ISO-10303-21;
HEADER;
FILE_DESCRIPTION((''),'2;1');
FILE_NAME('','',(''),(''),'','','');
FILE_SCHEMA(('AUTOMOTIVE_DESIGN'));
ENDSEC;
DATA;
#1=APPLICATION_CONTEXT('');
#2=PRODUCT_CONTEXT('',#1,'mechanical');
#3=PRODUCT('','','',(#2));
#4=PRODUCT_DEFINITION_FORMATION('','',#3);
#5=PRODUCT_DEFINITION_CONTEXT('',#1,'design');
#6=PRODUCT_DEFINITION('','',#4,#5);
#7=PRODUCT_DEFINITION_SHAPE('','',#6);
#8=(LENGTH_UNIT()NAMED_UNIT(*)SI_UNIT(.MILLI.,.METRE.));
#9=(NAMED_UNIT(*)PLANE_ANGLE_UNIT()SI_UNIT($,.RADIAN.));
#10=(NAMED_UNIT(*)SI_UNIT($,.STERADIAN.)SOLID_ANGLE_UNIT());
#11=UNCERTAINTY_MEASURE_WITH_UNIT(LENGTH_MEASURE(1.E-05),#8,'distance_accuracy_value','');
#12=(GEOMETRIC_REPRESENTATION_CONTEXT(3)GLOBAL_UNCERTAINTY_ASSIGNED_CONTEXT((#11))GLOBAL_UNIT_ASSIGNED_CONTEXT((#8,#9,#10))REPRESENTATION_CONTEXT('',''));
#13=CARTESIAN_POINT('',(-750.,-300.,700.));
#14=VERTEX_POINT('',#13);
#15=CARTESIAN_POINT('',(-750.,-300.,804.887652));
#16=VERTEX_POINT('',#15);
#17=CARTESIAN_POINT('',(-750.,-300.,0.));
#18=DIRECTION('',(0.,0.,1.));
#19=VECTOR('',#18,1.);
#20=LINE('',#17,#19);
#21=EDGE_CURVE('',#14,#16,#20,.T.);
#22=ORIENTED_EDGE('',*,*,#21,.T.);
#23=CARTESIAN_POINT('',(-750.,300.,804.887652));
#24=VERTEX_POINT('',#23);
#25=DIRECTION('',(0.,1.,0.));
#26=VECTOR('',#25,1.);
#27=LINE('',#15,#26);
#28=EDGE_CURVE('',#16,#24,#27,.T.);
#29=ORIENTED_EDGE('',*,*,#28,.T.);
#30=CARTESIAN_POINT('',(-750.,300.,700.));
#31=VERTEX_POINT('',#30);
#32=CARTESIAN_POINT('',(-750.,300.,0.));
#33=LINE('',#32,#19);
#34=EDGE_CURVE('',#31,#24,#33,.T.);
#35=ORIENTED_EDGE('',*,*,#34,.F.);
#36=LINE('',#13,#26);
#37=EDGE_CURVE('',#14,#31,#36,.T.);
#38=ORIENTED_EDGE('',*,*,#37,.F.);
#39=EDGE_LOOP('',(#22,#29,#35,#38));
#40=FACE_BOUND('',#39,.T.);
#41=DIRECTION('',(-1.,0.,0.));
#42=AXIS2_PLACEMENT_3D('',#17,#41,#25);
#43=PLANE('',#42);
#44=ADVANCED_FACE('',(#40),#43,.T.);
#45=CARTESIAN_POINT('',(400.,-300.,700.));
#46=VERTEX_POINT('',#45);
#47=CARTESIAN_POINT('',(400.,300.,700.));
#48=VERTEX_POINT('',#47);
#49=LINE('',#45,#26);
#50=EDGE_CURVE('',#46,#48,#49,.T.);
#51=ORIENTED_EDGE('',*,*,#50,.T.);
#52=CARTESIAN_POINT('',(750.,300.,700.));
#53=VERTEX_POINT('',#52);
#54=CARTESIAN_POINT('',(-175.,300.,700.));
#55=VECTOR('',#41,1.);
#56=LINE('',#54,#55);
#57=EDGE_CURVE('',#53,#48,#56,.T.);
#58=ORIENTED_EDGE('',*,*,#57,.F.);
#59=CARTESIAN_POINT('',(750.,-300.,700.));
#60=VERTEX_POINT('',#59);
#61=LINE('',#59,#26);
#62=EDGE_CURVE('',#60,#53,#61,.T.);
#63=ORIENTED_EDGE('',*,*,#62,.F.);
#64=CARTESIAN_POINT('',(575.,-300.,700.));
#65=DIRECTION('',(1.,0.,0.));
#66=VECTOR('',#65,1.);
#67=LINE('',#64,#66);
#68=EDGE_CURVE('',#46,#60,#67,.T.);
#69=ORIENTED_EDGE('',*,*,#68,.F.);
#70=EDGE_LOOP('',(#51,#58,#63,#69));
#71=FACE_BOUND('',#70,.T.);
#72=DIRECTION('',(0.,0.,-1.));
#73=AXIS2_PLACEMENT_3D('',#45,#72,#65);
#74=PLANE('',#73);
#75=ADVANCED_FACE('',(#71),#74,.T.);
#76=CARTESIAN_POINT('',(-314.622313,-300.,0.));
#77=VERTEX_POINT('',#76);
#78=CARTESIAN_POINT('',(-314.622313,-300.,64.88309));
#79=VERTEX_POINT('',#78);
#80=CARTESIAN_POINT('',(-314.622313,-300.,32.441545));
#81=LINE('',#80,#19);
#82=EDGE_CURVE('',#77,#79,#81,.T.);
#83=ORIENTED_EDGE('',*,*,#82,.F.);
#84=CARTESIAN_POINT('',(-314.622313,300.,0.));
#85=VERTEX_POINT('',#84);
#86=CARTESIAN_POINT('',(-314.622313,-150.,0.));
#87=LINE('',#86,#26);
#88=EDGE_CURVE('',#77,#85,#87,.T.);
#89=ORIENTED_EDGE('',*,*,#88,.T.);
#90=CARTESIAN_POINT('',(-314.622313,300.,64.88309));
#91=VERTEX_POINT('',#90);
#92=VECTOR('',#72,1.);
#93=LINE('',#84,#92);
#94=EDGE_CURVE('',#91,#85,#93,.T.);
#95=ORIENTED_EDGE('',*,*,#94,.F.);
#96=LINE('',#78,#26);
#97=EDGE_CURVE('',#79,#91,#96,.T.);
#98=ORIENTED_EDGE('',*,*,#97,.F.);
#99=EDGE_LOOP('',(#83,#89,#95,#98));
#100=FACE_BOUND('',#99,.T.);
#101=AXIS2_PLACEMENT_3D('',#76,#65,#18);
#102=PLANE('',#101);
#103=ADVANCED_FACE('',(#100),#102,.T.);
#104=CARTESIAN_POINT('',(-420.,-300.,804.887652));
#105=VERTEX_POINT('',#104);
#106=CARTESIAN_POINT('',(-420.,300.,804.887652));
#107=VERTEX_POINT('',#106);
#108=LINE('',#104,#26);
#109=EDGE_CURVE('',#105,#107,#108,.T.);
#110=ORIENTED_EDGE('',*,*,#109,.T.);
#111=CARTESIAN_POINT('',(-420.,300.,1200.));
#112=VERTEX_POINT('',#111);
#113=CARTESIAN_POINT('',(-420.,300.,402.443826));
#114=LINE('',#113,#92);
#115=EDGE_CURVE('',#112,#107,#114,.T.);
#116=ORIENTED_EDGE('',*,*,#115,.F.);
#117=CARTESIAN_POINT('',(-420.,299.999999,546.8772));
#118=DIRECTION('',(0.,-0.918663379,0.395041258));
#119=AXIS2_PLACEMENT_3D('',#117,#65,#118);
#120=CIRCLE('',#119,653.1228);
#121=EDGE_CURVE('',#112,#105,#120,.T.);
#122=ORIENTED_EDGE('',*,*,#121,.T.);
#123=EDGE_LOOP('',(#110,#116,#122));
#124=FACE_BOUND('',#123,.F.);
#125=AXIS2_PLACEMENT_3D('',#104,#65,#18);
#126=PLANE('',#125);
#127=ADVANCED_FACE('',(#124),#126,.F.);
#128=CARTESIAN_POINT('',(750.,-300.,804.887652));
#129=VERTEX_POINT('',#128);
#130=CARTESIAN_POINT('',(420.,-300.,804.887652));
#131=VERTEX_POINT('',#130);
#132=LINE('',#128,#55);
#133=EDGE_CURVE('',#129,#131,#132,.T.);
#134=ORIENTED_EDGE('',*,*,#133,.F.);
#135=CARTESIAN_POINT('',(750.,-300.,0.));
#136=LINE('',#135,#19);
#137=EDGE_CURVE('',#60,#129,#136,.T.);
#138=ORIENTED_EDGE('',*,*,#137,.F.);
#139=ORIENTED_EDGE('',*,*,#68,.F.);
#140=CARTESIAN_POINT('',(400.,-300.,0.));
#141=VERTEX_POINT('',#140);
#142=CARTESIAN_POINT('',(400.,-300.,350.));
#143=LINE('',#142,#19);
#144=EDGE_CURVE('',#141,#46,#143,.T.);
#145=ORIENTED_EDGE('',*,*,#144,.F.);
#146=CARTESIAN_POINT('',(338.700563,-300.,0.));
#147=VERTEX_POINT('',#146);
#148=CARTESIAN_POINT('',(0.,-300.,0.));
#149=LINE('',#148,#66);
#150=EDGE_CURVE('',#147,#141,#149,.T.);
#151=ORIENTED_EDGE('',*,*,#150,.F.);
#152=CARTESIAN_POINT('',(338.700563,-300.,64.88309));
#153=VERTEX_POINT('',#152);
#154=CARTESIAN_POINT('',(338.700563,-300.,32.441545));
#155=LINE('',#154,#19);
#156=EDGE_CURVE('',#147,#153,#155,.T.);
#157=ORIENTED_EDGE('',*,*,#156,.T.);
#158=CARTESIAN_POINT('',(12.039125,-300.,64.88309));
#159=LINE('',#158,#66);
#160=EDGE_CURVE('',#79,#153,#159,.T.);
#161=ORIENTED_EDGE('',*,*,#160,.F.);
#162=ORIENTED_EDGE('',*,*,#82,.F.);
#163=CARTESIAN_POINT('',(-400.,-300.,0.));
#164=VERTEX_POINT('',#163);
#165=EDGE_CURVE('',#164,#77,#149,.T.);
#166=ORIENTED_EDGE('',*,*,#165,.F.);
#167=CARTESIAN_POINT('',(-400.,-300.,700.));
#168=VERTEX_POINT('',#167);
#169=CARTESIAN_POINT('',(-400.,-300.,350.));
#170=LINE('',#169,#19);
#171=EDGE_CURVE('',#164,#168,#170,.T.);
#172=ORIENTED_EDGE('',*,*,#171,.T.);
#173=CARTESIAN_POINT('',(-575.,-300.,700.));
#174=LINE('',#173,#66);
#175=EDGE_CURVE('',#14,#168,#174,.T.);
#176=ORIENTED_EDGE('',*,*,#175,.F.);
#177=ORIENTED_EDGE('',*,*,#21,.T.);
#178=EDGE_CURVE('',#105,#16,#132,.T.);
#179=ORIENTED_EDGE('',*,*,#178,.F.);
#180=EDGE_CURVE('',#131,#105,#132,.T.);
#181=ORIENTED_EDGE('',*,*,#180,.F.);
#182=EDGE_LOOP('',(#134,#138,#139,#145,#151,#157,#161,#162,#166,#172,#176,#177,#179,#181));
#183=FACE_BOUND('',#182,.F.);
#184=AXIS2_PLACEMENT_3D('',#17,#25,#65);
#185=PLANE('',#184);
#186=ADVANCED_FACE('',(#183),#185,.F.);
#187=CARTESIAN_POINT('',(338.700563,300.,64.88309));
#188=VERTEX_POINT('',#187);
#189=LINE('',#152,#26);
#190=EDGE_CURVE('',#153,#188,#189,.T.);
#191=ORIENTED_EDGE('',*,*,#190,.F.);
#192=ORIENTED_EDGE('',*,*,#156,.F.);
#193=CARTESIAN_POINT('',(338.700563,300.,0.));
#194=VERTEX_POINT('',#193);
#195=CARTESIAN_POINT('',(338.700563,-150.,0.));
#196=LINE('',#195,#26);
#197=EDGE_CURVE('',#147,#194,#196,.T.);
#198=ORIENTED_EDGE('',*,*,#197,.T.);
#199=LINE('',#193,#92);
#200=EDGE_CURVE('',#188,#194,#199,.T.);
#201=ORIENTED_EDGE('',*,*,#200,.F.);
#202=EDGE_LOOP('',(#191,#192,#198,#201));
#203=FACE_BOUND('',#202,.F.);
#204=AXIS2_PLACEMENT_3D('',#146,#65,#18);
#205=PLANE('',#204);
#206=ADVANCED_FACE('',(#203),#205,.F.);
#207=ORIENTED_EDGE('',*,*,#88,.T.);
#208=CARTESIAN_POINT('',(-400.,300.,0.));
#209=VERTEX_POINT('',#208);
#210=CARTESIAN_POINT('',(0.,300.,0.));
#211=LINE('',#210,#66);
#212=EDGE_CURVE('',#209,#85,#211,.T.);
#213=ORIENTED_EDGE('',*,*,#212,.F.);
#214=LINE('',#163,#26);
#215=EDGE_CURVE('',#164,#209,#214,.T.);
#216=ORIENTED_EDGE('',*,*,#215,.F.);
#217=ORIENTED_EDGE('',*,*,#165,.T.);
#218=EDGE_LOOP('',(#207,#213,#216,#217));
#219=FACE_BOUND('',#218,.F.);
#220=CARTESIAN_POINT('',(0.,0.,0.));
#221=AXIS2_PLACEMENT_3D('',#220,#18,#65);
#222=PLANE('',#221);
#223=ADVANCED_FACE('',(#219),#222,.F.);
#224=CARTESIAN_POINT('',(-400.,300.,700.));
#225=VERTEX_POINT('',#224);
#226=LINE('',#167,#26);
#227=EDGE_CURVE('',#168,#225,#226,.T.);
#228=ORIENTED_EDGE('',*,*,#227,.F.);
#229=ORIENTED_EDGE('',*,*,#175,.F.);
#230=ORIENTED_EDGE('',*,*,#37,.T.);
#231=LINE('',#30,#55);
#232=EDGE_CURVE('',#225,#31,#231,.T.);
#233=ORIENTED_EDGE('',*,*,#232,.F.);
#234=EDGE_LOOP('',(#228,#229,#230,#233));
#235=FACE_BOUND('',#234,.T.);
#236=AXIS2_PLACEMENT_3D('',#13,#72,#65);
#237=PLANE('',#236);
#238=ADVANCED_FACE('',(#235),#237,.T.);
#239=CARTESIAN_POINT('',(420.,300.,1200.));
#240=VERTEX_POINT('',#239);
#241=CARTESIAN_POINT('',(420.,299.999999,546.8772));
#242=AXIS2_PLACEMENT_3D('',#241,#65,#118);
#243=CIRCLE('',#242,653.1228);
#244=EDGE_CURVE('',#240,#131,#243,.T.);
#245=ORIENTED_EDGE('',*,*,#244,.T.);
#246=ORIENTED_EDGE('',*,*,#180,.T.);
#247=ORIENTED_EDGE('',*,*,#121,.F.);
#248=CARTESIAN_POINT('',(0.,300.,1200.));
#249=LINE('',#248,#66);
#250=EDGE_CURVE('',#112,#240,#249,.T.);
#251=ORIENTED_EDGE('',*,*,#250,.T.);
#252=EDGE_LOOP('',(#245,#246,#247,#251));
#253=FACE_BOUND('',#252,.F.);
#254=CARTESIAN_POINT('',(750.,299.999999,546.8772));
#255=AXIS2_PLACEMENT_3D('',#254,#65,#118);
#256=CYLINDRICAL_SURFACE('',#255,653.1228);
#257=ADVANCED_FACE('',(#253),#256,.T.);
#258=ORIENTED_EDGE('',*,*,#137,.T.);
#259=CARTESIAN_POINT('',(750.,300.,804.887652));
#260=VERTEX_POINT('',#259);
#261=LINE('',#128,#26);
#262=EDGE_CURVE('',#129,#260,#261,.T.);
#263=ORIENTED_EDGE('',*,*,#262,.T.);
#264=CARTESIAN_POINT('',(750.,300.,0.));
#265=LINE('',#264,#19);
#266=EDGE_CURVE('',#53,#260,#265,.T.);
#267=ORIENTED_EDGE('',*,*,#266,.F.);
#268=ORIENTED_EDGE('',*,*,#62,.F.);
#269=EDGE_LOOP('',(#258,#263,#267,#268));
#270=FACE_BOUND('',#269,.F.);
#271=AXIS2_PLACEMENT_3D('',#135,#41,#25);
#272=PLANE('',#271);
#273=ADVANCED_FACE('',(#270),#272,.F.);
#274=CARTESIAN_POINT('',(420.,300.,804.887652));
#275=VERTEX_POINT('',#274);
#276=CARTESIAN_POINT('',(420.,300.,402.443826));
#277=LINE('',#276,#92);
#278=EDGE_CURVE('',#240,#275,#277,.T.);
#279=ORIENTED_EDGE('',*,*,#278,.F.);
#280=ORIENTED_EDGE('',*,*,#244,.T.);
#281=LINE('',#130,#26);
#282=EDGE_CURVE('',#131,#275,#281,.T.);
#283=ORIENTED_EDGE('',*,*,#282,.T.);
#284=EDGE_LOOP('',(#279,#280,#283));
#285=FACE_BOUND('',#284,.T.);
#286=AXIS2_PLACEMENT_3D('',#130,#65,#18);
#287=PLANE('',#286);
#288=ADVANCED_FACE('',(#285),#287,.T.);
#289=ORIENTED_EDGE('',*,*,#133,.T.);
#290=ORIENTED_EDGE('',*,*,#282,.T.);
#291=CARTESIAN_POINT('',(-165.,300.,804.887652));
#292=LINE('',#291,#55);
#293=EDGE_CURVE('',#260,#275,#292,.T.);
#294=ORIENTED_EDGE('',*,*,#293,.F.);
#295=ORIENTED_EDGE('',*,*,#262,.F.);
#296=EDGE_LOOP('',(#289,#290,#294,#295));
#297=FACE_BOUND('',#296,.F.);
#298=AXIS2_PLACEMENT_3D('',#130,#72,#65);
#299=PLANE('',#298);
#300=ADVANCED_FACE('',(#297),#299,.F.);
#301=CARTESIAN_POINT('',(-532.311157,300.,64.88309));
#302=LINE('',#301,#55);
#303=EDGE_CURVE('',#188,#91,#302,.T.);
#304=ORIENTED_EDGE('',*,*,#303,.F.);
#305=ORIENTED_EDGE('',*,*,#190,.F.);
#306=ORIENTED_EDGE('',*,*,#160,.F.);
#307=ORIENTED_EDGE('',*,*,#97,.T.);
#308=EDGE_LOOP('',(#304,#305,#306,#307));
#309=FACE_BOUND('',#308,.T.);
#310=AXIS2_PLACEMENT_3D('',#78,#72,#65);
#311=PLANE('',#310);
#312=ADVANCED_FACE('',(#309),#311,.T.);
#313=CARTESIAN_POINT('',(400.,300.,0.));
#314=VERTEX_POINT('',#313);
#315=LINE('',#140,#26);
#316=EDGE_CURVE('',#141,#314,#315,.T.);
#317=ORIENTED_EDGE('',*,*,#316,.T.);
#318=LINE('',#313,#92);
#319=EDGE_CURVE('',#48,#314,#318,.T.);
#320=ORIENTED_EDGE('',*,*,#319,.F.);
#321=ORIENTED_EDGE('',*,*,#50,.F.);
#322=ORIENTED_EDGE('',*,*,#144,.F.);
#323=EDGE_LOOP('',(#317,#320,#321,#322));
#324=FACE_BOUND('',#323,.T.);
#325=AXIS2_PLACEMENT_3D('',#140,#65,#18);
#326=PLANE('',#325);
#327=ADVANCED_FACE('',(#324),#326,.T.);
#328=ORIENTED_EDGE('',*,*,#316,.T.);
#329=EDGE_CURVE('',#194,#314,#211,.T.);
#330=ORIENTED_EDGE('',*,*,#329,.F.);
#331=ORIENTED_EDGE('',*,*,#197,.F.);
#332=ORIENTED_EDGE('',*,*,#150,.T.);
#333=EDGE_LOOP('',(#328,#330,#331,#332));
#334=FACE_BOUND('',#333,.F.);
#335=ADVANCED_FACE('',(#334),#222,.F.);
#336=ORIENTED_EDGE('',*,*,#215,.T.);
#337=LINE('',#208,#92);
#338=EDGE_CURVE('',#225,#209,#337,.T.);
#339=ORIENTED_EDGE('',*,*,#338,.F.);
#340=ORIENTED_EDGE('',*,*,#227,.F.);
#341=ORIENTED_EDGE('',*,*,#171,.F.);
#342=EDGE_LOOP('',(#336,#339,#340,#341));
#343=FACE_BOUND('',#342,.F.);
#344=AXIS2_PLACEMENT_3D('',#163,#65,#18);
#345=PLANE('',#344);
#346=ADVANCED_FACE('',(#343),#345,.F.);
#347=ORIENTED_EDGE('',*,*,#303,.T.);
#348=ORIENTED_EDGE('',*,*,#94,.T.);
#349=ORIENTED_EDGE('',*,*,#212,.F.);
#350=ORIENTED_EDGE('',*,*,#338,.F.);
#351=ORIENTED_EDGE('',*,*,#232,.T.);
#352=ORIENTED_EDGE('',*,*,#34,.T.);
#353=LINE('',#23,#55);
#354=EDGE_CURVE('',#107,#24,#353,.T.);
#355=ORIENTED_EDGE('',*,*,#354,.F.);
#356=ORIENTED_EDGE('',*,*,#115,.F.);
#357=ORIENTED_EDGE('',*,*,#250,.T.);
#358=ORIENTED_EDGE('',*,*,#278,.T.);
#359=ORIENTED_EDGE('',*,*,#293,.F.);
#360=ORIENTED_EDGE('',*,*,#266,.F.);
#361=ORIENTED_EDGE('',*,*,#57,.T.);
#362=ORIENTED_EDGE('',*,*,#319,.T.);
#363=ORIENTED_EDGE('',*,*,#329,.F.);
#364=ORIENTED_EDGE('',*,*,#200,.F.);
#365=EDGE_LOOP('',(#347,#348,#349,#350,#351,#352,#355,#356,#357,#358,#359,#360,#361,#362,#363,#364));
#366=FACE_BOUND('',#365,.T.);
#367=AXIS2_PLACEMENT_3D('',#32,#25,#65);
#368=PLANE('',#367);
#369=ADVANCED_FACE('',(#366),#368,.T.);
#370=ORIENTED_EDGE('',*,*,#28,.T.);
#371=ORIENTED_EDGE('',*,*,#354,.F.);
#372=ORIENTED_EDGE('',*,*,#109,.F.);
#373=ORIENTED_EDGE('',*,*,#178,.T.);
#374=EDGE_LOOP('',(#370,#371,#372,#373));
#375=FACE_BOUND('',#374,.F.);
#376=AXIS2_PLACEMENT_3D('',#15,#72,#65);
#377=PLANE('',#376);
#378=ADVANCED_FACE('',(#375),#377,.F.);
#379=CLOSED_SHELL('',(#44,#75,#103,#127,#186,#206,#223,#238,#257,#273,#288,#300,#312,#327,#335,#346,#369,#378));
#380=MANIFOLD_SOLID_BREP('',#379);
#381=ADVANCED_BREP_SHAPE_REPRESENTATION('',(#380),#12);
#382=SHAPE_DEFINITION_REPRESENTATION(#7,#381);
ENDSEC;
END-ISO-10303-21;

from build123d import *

# Parameters (mm, degrees)
F0_W     = 1500
F0_H     = 600
F1_DEPTH = 1200
F3_DEPTH = 1600
F4_W     = 350
F4_H     = 700
F5_DEPTH = 1500
F6_W     = 330
F6_H     = 420
F7_DEPTH = 2000
F8_W     = 653.322876
F8_H     = 64.883091
F9_DEPTH = 1500


with BuildPart() as f1:
    # F0 (on Top) → F1 (new body)
    with BuildSketch(Plane.XY):
        Rectangle(F0_W, F0_H)
    extrude(amount=F1_DEPTH)

    # F2 (on face) → F3 (cut)
    with BuildSketch(Plane.YZ.offset(750)):
        with BuildLine():
            ThreePointArc((-300, 804.887652), (-59.205292, 1092.350344), (300, 1200))
            Line((300, 1200), (-300, 1200))
            Line((-300, 1200), (-300, 804.887652))
        make_face()
    extrude(amount=-F3_DEPTH, mode=Mode.SUBTRACT)

    # F4 (on face) → F5 (cut)
    with BuildSketch(Plane.XZ.offset(300)):
        with Locations((-575, 350)):
            Rectangle(F4_W, F4_H)
        with Locations((575, 350)):
            Rectangle(F4_W, F4_H)
    extrude(amount=-F5_DEPTH, mode=Mode.SUBTRACT)

    # F6 (on face) → F7 (cut)
    with BuildSketch(Plane.XZ.offset(300)):
        with Locations((-585, 1014.887652)):
            Rectangle(F6_W, F6_H)
        with Locations((585, 1014.887652)):
            Rectangle(F6_W, F6_H)
    extrude(amount=-F7_DEPTH, mode=Mode.SUBTRACT)

    # F8 (on face) → F9 (cut)
    with BuildSketch(Plane.XZ.offset(300)):
        with Locations((12.039125, 32.441545)):
            Rectangle(F8_W, F8_H)
    extrude(amount=-F9_DEPTH, mode=Mode.SUBTRACT)


solid = f1.part
